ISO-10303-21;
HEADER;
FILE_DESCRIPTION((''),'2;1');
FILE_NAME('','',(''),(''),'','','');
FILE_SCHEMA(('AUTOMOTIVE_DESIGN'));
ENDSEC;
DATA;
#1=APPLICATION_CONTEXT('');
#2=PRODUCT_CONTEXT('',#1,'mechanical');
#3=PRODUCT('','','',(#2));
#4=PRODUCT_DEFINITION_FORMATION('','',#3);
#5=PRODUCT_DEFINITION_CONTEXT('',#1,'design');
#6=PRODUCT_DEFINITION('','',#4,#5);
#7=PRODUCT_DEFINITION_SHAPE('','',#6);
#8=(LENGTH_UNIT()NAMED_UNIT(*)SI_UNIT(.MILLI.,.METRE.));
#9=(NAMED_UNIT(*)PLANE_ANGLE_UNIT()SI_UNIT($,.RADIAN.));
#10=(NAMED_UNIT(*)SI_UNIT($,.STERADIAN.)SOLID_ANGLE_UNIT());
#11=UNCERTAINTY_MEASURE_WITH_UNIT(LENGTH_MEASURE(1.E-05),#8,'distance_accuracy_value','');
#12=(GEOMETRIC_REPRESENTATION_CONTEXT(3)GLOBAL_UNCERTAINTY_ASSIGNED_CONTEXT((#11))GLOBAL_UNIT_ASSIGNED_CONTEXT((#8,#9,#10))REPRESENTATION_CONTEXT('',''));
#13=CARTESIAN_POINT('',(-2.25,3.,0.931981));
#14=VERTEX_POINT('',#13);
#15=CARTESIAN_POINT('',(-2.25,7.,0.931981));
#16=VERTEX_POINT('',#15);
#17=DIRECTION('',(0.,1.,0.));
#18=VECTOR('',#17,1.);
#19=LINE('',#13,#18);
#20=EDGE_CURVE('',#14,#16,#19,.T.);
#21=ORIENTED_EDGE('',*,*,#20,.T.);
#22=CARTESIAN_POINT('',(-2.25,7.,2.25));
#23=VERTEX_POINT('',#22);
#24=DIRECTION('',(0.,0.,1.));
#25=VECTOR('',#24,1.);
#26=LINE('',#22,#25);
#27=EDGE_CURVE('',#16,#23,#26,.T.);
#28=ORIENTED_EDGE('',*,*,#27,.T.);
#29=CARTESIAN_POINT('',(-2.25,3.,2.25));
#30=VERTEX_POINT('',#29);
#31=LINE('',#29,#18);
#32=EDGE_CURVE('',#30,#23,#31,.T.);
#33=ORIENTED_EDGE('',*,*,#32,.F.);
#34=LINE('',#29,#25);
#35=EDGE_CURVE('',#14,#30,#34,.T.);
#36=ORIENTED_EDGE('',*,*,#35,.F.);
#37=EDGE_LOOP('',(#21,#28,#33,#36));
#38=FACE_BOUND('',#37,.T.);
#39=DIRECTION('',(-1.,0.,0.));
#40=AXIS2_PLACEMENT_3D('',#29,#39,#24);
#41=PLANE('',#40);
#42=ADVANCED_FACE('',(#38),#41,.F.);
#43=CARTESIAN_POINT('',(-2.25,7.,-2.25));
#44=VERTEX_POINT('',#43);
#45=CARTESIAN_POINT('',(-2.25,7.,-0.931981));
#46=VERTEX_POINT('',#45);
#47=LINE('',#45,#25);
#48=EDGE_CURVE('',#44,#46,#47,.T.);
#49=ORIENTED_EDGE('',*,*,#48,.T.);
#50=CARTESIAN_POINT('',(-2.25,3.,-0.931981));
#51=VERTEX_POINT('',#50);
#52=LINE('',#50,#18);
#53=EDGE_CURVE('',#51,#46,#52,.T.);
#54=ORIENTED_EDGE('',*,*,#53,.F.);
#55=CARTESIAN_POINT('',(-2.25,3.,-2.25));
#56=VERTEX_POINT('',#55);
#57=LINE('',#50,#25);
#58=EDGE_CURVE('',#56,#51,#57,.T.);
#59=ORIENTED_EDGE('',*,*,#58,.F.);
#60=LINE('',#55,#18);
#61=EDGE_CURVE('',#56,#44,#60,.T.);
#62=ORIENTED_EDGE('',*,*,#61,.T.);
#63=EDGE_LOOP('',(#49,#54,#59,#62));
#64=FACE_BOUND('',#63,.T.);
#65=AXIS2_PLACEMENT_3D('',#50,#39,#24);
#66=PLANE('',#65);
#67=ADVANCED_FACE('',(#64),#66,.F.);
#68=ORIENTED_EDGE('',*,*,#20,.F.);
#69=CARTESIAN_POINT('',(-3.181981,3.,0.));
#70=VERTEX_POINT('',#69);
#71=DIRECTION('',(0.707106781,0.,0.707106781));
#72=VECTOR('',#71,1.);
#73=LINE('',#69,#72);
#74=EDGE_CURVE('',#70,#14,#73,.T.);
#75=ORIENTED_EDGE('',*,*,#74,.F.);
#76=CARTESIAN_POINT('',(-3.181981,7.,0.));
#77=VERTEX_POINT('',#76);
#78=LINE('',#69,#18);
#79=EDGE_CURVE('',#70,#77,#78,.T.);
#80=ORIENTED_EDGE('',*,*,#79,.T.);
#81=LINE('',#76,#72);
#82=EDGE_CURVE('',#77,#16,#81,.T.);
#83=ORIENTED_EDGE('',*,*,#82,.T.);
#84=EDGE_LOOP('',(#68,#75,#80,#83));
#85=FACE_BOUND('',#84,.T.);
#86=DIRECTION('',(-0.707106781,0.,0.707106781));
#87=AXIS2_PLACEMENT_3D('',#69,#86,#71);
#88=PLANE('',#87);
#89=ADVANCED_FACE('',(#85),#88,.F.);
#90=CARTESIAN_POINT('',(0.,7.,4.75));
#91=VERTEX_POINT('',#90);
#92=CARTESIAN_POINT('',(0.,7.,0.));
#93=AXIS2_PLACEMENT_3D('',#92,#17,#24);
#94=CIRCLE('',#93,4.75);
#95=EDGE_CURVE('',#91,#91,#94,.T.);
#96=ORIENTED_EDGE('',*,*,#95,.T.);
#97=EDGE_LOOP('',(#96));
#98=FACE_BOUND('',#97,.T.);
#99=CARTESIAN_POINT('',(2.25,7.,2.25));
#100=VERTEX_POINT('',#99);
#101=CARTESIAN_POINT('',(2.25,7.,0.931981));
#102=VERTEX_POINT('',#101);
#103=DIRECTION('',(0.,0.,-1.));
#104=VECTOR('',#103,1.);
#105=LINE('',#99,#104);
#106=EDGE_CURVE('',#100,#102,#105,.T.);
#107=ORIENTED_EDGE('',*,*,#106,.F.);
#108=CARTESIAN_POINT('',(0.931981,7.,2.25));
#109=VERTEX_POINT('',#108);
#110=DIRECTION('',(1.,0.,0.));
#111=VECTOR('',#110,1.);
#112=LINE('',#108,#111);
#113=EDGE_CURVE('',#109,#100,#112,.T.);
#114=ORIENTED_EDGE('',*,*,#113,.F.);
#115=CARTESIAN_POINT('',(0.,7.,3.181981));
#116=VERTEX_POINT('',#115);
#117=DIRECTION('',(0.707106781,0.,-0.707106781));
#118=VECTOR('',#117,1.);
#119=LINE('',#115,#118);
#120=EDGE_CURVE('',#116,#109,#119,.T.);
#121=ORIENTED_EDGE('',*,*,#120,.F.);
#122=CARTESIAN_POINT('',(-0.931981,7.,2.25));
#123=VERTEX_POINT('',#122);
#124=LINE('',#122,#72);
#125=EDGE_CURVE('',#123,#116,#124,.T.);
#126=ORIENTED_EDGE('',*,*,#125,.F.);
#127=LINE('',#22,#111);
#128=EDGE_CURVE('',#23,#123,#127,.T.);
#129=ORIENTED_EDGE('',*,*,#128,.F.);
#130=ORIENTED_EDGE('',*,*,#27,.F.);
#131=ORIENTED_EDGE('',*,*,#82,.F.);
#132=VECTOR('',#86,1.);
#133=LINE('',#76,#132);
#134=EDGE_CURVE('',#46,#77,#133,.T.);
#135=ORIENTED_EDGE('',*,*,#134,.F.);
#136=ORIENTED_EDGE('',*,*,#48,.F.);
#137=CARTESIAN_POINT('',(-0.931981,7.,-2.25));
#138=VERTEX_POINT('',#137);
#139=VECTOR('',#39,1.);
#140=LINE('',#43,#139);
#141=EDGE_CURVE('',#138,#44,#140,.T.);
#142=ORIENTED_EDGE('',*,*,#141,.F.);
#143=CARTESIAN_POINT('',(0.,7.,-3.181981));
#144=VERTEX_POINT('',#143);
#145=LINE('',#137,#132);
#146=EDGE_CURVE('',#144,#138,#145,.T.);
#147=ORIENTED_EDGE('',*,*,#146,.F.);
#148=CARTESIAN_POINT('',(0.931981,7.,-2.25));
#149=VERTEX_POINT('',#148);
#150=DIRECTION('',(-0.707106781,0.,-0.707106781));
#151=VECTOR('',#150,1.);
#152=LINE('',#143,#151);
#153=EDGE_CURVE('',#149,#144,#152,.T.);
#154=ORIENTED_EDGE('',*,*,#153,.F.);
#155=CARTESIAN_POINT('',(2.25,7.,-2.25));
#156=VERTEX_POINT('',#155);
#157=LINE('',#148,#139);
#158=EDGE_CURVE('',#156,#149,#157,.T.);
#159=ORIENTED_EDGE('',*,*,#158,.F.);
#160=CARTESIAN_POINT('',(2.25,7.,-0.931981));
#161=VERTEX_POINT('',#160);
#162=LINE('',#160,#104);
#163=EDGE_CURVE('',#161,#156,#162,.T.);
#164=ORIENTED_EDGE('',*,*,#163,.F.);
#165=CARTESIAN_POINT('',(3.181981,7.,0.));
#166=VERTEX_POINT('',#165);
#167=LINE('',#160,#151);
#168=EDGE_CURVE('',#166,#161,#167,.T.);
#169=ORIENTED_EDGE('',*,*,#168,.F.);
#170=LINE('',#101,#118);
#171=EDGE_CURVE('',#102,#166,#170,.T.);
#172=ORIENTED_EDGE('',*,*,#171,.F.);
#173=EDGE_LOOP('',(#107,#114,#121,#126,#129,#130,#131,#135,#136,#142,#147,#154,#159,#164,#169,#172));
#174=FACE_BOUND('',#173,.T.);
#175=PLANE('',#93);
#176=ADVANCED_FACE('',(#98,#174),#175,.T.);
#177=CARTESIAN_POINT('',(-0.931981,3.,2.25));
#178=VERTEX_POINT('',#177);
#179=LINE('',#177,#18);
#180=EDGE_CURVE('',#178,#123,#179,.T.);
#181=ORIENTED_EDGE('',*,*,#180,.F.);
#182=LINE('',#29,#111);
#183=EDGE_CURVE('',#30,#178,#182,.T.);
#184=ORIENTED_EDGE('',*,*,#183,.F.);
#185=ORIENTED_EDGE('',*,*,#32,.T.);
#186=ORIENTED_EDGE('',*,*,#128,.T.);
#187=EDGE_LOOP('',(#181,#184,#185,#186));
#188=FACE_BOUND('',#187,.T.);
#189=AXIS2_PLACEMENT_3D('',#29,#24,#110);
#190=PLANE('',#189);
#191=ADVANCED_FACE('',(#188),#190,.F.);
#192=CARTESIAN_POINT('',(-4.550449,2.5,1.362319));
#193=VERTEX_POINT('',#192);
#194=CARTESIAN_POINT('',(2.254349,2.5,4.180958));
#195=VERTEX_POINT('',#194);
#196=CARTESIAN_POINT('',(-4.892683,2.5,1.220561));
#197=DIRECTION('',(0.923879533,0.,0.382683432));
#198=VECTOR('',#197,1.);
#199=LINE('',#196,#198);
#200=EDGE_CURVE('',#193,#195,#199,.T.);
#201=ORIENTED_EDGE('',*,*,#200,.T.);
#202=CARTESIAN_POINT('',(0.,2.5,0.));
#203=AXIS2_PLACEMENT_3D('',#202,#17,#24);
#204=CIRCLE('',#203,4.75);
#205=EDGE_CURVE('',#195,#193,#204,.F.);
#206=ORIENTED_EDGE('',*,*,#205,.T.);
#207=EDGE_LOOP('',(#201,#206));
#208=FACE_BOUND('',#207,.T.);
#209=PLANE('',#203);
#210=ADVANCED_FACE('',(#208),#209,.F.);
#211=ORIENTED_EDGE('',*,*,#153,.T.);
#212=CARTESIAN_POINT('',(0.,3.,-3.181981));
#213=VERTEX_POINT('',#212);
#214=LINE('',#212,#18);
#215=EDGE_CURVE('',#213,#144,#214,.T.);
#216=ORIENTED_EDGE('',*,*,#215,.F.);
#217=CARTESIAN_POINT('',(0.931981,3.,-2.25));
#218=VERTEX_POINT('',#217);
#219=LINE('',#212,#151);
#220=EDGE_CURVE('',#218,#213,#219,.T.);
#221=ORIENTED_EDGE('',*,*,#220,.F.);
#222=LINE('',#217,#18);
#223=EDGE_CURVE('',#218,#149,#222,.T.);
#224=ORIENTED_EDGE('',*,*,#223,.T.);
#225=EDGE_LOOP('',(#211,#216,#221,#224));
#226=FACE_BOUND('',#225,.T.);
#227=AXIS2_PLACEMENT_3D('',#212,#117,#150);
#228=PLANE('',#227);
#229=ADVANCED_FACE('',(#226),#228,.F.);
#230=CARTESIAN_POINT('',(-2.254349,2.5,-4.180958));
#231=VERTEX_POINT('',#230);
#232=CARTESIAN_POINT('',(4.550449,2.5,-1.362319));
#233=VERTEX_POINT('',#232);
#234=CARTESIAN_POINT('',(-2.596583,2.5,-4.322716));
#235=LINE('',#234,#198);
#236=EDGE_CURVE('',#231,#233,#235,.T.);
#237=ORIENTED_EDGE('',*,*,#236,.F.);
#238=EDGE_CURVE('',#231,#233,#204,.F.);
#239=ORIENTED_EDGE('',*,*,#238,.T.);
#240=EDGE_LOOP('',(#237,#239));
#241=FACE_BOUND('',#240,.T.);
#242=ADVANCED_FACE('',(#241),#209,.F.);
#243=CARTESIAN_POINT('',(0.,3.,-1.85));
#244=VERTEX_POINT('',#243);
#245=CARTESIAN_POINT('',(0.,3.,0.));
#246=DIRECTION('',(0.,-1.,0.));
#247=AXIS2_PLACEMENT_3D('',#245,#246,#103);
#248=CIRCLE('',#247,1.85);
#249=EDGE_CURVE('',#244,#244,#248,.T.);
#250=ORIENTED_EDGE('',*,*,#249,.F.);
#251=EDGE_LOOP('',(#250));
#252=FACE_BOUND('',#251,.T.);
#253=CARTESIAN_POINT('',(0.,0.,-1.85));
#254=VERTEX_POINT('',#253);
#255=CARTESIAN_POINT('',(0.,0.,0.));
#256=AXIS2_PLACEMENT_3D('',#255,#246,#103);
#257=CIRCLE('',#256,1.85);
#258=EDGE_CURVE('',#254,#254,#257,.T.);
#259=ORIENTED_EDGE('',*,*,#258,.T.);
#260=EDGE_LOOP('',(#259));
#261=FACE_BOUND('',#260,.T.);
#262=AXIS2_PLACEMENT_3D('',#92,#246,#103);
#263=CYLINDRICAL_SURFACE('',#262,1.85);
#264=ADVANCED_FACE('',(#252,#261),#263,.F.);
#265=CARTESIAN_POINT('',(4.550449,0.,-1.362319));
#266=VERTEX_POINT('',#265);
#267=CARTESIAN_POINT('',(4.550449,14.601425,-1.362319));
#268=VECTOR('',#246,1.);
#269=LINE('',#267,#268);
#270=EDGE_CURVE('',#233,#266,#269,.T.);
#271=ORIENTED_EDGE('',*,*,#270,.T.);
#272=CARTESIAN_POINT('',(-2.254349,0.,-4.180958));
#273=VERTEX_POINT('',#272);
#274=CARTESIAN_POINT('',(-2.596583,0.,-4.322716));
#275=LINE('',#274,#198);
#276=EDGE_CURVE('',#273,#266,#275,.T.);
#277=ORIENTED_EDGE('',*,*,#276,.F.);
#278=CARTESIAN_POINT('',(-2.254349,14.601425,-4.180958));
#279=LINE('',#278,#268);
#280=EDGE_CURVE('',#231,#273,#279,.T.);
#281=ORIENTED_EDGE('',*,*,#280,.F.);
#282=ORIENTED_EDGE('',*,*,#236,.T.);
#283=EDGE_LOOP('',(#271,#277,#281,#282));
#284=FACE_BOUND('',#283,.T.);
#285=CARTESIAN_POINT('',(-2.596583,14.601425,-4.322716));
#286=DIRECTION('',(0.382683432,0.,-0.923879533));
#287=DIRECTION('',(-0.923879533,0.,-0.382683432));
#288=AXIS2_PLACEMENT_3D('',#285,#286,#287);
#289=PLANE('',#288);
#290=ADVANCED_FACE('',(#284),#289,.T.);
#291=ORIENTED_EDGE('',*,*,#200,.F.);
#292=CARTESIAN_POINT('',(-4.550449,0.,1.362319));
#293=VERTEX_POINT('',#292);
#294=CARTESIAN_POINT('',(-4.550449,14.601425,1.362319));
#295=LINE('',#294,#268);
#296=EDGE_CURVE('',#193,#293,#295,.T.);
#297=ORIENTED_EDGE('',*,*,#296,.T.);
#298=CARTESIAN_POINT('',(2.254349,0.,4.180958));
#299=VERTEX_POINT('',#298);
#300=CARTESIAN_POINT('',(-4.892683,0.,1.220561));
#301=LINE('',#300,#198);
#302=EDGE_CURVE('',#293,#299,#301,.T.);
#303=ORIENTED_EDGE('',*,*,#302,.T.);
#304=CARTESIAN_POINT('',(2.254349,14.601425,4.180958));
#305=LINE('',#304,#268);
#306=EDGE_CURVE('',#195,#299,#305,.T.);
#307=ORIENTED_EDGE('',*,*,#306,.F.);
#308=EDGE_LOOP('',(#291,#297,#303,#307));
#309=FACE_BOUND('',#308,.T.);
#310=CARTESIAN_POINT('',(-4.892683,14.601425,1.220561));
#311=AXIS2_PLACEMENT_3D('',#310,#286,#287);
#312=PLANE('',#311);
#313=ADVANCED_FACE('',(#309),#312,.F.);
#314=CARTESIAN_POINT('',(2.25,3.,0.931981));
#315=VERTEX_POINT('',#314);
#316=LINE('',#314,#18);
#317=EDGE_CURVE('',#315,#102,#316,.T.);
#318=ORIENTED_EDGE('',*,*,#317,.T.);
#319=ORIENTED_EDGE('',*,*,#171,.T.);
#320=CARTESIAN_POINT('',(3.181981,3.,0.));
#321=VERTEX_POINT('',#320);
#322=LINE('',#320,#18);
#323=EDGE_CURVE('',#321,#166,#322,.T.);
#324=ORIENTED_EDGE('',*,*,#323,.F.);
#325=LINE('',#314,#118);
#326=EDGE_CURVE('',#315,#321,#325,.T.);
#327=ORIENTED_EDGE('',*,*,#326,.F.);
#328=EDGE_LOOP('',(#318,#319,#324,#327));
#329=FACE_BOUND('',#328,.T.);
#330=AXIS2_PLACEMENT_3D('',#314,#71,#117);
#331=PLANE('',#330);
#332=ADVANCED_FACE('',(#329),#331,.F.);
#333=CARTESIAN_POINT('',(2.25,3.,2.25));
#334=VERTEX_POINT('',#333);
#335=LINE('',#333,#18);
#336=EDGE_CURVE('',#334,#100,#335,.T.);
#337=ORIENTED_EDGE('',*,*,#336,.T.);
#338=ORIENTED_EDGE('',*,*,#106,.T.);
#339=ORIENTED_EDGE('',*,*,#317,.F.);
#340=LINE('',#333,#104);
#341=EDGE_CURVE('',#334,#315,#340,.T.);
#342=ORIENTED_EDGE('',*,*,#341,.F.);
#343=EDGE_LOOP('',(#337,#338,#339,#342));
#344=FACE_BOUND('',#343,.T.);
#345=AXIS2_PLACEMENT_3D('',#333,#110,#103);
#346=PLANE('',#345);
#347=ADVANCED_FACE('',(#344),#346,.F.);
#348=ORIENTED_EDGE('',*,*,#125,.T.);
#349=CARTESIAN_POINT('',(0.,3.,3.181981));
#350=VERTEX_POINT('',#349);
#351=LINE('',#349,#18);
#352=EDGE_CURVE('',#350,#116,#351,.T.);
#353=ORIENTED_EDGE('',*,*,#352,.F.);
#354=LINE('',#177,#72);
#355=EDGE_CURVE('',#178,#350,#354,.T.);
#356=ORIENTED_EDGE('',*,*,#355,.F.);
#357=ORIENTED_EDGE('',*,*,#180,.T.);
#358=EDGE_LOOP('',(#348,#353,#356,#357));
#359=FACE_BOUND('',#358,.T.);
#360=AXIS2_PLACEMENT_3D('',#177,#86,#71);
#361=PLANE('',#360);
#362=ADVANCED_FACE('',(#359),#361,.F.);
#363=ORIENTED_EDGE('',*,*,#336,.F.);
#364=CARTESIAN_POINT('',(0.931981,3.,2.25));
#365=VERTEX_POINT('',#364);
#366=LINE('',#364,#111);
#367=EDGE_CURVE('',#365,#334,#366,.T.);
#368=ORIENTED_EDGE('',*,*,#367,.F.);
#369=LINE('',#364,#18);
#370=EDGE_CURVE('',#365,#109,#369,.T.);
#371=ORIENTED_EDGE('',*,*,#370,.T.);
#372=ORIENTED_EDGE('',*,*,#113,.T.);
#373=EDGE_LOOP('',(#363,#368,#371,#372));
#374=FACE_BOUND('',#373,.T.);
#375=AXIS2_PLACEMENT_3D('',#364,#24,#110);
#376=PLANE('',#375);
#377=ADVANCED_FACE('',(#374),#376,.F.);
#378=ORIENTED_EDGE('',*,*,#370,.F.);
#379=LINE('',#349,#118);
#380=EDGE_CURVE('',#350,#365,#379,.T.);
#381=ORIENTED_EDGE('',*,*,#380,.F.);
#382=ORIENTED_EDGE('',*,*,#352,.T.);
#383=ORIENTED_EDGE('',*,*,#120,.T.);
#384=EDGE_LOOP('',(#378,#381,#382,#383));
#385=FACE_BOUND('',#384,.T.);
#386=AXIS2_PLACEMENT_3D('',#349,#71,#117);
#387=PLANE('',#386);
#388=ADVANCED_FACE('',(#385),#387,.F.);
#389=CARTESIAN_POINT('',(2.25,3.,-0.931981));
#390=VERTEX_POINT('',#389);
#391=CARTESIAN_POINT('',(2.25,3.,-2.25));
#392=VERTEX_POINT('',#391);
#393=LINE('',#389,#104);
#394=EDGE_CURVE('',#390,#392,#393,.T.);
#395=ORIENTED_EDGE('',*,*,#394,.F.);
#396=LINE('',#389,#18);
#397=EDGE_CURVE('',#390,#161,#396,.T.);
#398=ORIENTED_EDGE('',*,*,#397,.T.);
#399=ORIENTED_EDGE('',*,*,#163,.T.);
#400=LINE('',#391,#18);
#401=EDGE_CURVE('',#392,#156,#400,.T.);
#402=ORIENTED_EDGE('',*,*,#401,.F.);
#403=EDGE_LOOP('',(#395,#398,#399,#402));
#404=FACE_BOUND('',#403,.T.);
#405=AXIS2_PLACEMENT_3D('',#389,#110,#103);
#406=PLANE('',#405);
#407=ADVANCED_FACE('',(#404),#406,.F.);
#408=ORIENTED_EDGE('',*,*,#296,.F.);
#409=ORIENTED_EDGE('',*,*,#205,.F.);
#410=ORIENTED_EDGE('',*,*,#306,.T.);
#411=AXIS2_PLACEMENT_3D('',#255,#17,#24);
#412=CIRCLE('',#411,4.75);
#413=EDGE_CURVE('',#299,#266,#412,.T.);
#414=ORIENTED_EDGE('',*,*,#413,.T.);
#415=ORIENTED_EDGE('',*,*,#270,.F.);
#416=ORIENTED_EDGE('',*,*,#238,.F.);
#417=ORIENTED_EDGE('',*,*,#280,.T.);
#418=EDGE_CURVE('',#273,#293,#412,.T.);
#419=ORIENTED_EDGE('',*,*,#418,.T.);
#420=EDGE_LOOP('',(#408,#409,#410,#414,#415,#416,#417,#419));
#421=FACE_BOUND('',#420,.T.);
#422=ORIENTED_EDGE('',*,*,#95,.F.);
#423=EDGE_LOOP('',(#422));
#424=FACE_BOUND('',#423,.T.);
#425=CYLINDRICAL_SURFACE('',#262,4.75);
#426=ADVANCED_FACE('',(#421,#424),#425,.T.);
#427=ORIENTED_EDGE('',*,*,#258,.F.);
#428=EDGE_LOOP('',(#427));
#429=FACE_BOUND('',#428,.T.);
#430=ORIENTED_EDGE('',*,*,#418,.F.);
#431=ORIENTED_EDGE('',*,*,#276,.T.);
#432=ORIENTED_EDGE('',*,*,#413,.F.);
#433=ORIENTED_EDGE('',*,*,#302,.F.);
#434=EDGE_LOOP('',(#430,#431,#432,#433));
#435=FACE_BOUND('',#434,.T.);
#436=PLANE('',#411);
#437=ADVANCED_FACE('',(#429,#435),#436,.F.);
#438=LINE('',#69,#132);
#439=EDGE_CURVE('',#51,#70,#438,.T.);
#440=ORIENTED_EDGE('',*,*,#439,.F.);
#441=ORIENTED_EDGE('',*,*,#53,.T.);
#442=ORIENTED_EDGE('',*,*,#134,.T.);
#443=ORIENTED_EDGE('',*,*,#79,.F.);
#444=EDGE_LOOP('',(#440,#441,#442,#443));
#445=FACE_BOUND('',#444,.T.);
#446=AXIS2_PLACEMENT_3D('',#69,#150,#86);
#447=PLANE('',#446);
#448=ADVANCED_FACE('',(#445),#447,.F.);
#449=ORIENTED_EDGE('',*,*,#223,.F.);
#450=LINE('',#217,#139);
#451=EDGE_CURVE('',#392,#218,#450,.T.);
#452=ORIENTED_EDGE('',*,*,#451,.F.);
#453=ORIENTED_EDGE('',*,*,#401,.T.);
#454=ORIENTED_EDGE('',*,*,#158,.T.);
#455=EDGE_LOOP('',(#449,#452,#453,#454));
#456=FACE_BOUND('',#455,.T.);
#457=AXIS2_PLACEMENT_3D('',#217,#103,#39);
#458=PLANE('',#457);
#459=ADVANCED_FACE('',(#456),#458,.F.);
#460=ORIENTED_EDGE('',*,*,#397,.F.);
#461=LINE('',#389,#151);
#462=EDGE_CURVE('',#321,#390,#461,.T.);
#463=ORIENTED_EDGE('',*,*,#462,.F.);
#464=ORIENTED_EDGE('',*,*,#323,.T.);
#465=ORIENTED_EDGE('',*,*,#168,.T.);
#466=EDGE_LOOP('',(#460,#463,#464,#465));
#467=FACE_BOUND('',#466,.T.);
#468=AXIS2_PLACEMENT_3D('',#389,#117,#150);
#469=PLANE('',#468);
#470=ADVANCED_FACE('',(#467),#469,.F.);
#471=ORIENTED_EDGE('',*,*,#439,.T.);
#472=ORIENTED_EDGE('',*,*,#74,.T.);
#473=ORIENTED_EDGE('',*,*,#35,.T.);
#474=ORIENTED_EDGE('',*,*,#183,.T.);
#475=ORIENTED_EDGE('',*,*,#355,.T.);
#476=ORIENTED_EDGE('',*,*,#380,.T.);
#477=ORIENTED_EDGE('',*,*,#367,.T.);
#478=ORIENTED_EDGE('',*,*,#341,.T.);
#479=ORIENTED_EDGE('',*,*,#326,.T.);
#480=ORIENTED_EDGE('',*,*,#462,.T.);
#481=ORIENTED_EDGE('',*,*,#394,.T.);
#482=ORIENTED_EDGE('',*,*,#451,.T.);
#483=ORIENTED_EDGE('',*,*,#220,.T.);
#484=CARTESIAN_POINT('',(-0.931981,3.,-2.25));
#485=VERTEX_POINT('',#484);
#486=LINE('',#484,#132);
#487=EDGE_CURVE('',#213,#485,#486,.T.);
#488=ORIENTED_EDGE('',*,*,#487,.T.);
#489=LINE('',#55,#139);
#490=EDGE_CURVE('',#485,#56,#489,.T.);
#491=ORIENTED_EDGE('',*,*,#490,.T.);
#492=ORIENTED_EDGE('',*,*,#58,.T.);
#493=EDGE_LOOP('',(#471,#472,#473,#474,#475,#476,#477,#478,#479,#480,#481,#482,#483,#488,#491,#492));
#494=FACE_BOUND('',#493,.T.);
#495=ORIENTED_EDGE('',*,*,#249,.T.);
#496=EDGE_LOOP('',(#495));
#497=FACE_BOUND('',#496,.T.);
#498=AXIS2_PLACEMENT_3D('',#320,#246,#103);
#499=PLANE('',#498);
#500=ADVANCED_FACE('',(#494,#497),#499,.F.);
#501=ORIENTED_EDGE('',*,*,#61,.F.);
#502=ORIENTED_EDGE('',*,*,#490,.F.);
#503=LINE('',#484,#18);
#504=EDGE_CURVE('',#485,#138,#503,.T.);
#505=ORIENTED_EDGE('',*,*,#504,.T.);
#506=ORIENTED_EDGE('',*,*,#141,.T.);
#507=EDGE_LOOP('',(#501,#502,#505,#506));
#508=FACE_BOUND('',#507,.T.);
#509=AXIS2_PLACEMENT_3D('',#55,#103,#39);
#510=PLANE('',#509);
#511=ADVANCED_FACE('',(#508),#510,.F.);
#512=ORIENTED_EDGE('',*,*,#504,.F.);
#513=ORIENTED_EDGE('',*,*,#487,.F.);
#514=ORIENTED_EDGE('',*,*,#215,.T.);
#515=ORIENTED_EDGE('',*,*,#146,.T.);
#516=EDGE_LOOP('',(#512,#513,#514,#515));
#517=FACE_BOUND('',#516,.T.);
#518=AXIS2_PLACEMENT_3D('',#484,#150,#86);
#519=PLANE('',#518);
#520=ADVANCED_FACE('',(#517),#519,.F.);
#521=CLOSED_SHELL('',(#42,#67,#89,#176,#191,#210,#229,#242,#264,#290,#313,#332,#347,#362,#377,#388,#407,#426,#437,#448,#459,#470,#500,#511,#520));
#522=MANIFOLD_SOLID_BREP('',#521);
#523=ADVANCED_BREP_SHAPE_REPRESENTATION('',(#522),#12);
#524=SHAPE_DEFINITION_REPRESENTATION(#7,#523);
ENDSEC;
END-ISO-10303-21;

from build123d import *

# Parameters (mm, degrees)
SKETCH_1_R          = 4.75
EXTRUDE_1_DEPTH     = 7
CUT_EXTRUDE_1_DEPTH = 4
SKETCH_3_R          = 1.85
CUT_EXTRUDE_2_DEPTH = 8
CUT_EXTRUDE_7_DEPTH = 2.5


with BuildPart() as part:
    # Эскиз1 → Бобышка-Вытянуть1 (new body)
    with BuildSketch(Plane(origin=(0, 0, 0), x_dir=(1, 0, 0), z_dir=(0, 1, 0))):
        Circle(SKETCH_1_R)
    extrude(amount=EXTRUDE_1_DEPTH)

    # Эскиз2 → Вырез-Вытянуть1 (cut)
    with BuildSketch(Plane(origin=(0, 7, 0), x_dir=(1, 0, 0), z_dir=(0, 1, 0))):
        Polygon((-3.181980515, 0), (-2.25, -0.931980515), (-2.25, -2.25), (-0.931980515, -2.25), (0, -3.181980515), (0.931980515, -2.25), (2.25, -2.25), (2.25, -0.931980515), (3.181980515, 0), (2.25, 0.931980515), (2.25, 2.25), (0.931980515, 2.25), (0, 3.181980515), (-0.931980515, 2.25), (-2.25, 2.25), (-2.25, 0.931980515), align=None)
    extrude(amount=-CUT_EXTRUDE_1_DEPTH, mode=Mode.SUBTRACT)

    # Эскиз3 → Вырез-Вытянуть2 (cut, through all)
    with BuildSketch(Plane.XZ):
        Circle(SKETCH_3_R)
    extrude(amount=-CUT_EXTRUDE_2_DEPTH, mode=Mode.SUBTRACT)

    # Эскиз4<3> → Вырез-Вытянуть7 (cut)
    with BuildSketch(Plane.XZ):
        with BuildLine():
            ThreePointArc((2.254348542, 4.180958341), (-1.817746304, 4.388427779), (-4.550449136, 1.362318854))
            Line((-4.550449136, 1.362318854), (2.254348542, 4.180958341))
        make_face()
        with BuildLine():
            Line((4.550449136, -1.362318854), (-2.254348542, -4.180958341))
            ThreePointArc((-2.254348542, -4.180958341), (1.817746304, -4.388427779), (4.550449136, -1.362318854))
        make_face()
    extrude(amount=-CUT_EXTRUDE_7_DEPTH, mode=Mode.SUBTRACT)


solid = part.part
